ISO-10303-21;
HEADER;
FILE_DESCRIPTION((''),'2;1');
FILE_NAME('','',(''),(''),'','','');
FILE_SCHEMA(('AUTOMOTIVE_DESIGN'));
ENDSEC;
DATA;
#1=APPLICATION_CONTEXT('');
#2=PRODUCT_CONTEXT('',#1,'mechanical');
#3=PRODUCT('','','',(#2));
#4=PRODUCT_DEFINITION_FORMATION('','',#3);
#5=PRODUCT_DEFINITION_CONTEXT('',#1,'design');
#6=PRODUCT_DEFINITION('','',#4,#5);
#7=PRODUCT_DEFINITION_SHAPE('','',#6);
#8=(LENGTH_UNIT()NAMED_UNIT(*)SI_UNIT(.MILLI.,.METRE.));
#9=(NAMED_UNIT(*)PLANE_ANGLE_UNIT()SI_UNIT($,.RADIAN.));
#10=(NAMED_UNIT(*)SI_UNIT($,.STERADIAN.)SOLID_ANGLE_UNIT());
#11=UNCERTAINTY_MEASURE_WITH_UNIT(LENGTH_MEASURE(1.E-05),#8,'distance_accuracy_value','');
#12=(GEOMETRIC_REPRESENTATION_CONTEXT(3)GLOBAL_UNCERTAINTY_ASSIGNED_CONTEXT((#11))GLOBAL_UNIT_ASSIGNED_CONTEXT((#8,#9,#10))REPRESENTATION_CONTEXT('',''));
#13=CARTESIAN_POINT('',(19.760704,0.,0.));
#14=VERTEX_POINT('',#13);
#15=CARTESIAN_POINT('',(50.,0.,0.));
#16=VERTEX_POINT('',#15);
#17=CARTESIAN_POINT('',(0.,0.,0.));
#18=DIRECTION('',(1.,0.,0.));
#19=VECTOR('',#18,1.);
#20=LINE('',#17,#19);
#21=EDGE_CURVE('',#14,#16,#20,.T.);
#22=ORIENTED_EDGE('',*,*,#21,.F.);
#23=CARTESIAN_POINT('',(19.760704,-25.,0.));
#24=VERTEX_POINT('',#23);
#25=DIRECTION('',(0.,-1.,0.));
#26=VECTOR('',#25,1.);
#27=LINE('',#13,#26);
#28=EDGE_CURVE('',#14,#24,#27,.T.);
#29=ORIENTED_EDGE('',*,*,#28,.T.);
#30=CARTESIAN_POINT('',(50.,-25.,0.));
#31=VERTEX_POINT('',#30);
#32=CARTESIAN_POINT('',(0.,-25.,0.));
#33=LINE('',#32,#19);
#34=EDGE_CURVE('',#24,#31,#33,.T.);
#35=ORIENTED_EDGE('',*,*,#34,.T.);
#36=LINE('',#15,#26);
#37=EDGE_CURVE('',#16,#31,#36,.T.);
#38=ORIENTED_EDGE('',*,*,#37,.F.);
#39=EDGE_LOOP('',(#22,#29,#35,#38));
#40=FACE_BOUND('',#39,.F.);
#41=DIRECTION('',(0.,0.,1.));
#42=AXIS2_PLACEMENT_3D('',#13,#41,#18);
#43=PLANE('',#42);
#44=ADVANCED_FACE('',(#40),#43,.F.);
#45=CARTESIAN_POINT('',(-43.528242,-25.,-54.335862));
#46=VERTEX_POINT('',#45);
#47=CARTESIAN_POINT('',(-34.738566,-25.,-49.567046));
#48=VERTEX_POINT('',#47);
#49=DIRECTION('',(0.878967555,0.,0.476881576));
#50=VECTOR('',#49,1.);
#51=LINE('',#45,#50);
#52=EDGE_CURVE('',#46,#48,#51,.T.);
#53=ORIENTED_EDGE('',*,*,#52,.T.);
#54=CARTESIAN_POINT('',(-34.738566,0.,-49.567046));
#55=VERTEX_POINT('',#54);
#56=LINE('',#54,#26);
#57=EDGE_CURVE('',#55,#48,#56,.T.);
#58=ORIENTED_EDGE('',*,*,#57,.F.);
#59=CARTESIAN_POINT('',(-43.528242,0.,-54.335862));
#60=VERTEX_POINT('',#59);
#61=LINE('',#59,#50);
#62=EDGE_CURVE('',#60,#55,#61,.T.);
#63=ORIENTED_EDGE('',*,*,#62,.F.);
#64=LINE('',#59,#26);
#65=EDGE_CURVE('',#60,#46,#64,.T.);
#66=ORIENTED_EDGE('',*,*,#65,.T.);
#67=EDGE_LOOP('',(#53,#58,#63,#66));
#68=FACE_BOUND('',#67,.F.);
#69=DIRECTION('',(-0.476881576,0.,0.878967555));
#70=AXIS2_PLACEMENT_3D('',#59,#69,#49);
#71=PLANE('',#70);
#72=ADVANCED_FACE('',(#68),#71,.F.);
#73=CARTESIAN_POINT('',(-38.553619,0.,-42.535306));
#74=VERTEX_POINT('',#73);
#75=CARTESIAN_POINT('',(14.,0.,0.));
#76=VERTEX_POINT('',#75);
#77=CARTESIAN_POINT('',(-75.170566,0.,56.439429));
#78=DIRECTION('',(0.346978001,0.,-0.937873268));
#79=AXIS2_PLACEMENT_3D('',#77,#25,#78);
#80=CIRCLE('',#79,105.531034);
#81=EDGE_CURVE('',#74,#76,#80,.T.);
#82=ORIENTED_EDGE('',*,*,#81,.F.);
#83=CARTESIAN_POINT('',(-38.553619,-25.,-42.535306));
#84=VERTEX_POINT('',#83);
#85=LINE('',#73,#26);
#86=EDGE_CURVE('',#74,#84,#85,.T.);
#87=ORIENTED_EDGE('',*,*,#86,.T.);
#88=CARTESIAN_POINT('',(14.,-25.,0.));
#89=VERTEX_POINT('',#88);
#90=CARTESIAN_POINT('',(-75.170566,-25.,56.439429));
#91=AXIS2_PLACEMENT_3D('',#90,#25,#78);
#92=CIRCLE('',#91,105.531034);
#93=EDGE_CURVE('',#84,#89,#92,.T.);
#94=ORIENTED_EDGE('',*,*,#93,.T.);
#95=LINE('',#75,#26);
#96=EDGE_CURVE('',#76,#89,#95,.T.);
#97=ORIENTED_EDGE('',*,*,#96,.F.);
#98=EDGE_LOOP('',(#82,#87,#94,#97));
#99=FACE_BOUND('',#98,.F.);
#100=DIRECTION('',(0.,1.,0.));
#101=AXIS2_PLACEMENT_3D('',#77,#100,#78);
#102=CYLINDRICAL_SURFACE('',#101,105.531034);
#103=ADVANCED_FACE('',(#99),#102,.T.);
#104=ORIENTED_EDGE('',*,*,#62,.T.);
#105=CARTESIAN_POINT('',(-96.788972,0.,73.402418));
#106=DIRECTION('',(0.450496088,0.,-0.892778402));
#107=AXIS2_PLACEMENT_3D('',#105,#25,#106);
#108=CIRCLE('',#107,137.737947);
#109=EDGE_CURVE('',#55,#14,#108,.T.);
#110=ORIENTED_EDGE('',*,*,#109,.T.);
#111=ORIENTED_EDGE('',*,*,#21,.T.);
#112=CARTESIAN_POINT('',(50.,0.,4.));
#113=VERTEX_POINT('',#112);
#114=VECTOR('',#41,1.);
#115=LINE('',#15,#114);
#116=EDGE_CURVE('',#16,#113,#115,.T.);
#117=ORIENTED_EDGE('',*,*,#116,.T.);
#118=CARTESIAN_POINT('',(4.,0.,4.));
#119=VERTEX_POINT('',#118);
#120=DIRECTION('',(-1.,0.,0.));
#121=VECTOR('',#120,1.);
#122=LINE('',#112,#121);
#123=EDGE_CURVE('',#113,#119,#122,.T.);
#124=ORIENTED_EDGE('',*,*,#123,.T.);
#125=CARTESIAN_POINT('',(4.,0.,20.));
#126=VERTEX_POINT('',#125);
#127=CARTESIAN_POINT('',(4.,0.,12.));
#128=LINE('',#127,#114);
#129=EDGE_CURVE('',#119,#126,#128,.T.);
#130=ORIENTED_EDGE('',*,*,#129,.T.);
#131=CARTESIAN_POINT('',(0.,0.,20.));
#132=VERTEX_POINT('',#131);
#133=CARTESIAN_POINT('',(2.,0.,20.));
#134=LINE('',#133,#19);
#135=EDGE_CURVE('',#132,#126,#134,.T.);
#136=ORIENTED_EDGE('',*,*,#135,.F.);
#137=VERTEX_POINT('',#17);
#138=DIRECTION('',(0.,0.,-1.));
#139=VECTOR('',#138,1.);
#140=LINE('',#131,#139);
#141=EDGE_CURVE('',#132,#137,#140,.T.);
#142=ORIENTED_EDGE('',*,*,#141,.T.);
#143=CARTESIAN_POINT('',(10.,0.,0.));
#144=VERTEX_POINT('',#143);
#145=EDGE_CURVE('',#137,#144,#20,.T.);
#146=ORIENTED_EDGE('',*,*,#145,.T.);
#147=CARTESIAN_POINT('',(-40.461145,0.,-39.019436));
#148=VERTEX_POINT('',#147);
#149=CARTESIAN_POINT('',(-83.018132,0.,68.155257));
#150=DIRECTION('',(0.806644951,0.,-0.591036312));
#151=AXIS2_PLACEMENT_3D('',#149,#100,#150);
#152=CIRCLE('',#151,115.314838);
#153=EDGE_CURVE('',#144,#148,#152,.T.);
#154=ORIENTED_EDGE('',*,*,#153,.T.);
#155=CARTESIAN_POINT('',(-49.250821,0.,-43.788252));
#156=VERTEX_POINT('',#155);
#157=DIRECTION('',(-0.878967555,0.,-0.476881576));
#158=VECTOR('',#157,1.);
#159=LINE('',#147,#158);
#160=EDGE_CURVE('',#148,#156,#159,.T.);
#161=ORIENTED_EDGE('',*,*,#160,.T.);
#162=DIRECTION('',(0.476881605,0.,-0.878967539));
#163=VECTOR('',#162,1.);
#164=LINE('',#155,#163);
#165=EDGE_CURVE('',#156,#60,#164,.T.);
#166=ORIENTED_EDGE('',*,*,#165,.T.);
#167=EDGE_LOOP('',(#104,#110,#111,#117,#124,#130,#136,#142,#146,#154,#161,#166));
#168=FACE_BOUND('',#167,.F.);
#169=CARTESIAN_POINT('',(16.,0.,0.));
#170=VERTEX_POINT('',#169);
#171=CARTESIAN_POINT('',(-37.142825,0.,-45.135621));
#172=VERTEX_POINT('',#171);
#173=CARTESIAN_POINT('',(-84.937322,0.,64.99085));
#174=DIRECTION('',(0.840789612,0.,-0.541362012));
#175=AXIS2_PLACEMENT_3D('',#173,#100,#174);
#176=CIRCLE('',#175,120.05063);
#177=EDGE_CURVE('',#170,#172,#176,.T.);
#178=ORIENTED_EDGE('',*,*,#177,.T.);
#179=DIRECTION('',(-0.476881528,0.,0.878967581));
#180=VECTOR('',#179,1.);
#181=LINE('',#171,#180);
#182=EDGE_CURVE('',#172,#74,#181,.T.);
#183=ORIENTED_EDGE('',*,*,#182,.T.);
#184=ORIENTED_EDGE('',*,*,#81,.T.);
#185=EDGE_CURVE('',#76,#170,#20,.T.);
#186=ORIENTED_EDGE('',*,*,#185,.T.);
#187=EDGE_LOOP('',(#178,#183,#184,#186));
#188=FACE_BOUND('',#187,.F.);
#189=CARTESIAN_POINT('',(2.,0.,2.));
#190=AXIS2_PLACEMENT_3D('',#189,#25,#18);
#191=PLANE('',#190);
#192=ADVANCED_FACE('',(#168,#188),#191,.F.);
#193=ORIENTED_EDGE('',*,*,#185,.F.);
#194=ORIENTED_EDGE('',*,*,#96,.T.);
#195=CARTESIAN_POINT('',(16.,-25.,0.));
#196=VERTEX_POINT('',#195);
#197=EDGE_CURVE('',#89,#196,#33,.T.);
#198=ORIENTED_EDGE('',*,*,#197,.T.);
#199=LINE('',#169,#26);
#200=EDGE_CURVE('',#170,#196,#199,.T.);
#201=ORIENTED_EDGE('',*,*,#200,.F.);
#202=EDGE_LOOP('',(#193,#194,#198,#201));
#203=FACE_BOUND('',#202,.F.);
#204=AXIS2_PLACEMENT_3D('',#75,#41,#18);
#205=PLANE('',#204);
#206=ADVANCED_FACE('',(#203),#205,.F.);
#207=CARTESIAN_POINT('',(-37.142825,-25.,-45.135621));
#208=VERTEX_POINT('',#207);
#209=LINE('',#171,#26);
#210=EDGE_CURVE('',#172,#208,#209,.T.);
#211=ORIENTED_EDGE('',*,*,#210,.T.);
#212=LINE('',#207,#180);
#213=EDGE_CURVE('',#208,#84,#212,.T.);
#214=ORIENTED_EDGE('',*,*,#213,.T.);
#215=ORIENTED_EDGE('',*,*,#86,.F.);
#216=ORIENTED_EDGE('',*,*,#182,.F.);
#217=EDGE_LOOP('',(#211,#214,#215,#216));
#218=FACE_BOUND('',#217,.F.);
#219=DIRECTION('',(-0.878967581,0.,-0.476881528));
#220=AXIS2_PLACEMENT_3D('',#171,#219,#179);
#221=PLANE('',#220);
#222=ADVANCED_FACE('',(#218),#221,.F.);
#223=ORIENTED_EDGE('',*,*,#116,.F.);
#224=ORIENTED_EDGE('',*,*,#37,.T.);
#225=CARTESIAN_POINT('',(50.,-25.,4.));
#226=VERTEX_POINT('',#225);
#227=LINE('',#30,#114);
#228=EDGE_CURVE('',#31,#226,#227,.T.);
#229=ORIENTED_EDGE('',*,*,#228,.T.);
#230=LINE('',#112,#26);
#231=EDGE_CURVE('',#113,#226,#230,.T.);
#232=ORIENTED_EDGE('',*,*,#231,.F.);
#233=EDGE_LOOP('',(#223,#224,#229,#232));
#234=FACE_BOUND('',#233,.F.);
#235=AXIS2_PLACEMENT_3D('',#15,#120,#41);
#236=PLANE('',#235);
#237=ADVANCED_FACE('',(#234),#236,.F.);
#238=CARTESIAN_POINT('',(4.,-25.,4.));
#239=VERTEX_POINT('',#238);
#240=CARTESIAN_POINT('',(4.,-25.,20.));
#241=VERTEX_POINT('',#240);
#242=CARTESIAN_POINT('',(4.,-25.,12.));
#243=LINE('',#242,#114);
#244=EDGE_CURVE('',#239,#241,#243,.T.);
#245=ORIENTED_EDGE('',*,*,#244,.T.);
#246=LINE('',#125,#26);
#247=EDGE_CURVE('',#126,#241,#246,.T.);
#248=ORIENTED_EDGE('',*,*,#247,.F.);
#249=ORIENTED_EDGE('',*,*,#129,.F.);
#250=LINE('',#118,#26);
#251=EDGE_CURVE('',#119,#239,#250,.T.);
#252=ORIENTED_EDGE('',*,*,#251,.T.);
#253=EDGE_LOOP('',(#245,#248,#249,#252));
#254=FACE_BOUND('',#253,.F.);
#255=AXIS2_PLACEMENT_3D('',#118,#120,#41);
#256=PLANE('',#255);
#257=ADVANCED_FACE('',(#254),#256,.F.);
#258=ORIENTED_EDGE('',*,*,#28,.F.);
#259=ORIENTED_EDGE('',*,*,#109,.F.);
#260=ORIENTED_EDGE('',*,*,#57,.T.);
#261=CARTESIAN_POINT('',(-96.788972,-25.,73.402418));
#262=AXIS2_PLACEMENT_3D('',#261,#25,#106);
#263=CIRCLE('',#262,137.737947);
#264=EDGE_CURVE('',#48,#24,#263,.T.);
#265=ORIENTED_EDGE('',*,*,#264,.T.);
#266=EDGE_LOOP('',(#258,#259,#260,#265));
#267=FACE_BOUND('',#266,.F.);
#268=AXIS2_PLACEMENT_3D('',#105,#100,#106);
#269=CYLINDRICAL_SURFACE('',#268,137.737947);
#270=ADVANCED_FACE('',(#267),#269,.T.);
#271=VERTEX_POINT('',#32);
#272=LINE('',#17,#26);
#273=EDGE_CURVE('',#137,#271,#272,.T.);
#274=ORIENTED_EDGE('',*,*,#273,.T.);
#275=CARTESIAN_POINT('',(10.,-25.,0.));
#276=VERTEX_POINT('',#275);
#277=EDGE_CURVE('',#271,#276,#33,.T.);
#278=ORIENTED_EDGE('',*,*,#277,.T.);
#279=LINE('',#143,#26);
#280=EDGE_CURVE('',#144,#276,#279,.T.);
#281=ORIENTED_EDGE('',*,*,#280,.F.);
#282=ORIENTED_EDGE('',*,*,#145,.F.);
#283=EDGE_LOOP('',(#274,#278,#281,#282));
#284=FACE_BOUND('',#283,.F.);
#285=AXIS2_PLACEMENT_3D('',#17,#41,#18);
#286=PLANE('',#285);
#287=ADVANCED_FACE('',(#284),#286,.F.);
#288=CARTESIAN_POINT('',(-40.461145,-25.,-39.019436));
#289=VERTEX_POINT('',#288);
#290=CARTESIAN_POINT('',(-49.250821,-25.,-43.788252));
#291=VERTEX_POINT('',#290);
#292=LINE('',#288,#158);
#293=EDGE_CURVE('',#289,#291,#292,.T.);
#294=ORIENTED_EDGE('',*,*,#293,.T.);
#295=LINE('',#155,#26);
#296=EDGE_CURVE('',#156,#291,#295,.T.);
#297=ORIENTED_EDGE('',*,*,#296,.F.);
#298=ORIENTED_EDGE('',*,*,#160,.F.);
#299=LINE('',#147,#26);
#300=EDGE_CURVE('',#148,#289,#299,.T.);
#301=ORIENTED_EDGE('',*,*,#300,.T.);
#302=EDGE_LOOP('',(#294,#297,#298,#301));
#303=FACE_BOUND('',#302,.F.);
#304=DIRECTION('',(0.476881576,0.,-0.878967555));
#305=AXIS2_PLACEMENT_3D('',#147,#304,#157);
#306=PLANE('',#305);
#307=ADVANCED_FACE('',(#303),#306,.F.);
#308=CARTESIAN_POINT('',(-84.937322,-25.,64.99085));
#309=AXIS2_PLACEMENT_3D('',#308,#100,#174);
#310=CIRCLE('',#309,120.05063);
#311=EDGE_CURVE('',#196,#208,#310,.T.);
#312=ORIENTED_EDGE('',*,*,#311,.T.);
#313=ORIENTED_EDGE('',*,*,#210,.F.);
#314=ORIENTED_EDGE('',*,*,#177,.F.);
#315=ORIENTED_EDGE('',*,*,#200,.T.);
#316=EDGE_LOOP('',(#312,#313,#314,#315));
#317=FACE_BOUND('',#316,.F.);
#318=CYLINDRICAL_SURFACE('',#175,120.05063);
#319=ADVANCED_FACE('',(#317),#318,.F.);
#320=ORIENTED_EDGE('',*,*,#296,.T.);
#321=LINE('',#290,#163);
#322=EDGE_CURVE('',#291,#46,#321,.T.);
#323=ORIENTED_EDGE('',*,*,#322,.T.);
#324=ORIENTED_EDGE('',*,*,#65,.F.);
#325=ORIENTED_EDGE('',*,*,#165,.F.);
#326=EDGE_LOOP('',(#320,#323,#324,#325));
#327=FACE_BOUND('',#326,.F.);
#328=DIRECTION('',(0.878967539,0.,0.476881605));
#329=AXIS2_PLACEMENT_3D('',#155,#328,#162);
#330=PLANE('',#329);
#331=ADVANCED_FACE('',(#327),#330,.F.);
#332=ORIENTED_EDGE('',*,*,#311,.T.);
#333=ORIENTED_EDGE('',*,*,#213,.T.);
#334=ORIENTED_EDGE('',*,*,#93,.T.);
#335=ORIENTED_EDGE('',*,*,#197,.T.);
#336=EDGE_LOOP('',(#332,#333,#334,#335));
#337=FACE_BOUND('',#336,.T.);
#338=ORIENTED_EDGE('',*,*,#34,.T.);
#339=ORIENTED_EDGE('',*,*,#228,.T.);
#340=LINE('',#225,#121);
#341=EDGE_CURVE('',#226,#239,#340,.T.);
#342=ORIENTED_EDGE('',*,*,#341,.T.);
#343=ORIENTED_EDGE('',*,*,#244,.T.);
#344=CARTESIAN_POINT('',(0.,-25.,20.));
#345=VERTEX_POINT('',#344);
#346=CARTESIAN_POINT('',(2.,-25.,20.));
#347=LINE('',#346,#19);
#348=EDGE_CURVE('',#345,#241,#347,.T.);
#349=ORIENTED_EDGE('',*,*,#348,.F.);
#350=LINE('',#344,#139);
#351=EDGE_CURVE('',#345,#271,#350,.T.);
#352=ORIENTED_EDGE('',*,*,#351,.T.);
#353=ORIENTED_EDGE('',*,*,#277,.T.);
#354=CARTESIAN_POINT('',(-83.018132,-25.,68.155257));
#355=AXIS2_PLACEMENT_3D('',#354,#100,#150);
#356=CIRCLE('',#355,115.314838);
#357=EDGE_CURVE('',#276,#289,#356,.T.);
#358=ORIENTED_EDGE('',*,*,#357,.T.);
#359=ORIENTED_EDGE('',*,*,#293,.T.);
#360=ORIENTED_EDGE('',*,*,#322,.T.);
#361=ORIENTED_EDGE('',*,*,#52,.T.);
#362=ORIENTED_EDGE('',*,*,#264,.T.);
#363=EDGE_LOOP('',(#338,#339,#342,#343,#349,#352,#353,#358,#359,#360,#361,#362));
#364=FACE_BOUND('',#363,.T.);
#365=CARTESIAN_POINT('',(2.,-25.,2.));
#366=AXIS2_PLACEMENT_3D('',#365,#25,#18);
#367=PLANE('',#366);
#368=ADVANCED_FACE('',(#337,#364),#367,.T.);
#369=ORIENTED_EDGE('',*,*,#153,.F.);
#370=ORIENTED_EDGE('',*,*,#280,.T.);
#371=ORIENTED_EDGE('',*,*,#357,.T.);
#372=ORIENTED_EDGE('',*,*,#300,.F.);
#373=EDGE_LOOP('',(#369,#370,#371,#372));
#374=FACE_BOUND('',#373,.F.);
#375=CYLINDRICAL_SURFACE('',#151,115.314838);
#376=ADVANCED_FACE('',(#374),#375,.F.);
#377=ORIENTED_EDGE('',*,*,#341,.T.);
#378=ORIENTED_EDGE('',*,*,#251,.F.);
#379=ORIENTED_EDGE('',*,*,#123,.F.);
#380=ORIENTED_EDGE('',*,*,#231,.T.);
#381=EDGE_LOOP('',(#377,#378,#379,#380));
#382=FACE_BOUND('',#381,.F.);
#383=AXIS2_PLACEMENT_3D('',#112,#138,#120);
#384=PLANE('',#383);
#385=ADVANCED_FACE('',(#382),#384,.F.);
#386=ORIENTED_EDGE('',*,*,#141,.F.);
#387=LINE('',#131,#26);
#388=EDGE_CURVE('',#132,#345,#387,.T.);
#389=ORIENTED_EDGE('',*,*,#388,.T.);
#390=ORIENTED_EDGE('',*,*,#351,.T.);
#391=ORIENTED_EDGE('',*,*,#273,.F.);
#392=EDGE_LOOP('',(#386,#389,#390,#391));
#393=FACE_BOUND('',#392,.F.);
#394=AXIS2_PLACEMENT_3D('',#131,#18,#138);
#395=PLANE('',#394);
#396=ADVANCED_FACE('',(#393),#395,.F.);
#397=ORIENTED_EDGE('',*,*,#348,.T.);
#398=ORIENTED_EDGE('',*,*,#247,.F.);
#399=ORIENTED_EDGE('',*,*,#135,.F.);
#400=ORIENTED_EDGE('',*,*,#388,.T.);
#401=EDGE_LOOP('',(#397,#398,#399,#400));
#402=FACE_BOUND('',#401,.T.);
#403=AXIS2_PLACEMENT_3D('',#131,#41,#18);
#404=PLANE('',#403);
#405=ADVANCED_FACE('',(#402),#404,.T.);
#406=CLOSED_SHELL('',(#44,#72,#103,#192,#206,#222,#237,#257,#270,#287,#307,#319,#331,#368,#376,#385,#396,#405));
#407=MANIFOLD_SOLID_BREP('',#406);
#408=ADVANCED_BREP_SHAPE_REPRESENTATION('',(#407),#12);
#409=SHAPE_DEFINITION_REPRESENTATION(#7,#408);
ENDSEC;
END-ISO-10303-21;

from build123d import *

# Parameters (mm, degrees)
F0_W     = 4
F0_H     = 4
F0_H_2   = 16
F1_DEPTH = 25


with BuildPart() as f1:
    # F0 (on Front) → F1 (new body)
    with BuildSketch(Plane.XZ):
        with Locations((2, 2)):
            Rectangle(F0_W, F0_H)
        Polygon((4, 4), (4, 0), (10, 0), (14, 0), (16, 0), (18.984493, 0), (19.760704, 0), (50, 0), (50, 4), align=None)
        with Locations((2, 12)):
            Rectangle(F0_W, F0_H_2)
        with BuildLine():
            Line((14, 0), (10, 0))
            ThreePointArc((10, 0), (-12.478907, -23.068258), (-40.461145, -39.019436))
            Line((-40.461145, -39.019436), (-38.553619, -42.535306))
            ThreePointArc((-38.553619, -42.535306), (-8.778265, -25.590208), (14, 0))
        make_face()
        Polygon((-38.553619, -42.535306), (-40.461145, -39.019436), (-49.250821, -43.788252), (-43.528242, -54.335862), (-34.738566, -49.567046), (-37.142825, -45.135621), align=None)
        with BuildLine():
            Line((18.984493, 0), (16, 0))
            ThreePointArc((16, 0), (-7.222493, -26.510838), (-37.142825, -45.135621))
            Line((-37.142825, -45.135621), (-34.738566, -49.567046))
            ThreePointArc((-34.738566, -49.567046), (-4.113623, -28.494695), (19.760704, 0))
            Line((19.760704, 0), (18.984493, 0))
        make_face()
    extrude(amount=F1_DEPTH)


solid = f1.part
